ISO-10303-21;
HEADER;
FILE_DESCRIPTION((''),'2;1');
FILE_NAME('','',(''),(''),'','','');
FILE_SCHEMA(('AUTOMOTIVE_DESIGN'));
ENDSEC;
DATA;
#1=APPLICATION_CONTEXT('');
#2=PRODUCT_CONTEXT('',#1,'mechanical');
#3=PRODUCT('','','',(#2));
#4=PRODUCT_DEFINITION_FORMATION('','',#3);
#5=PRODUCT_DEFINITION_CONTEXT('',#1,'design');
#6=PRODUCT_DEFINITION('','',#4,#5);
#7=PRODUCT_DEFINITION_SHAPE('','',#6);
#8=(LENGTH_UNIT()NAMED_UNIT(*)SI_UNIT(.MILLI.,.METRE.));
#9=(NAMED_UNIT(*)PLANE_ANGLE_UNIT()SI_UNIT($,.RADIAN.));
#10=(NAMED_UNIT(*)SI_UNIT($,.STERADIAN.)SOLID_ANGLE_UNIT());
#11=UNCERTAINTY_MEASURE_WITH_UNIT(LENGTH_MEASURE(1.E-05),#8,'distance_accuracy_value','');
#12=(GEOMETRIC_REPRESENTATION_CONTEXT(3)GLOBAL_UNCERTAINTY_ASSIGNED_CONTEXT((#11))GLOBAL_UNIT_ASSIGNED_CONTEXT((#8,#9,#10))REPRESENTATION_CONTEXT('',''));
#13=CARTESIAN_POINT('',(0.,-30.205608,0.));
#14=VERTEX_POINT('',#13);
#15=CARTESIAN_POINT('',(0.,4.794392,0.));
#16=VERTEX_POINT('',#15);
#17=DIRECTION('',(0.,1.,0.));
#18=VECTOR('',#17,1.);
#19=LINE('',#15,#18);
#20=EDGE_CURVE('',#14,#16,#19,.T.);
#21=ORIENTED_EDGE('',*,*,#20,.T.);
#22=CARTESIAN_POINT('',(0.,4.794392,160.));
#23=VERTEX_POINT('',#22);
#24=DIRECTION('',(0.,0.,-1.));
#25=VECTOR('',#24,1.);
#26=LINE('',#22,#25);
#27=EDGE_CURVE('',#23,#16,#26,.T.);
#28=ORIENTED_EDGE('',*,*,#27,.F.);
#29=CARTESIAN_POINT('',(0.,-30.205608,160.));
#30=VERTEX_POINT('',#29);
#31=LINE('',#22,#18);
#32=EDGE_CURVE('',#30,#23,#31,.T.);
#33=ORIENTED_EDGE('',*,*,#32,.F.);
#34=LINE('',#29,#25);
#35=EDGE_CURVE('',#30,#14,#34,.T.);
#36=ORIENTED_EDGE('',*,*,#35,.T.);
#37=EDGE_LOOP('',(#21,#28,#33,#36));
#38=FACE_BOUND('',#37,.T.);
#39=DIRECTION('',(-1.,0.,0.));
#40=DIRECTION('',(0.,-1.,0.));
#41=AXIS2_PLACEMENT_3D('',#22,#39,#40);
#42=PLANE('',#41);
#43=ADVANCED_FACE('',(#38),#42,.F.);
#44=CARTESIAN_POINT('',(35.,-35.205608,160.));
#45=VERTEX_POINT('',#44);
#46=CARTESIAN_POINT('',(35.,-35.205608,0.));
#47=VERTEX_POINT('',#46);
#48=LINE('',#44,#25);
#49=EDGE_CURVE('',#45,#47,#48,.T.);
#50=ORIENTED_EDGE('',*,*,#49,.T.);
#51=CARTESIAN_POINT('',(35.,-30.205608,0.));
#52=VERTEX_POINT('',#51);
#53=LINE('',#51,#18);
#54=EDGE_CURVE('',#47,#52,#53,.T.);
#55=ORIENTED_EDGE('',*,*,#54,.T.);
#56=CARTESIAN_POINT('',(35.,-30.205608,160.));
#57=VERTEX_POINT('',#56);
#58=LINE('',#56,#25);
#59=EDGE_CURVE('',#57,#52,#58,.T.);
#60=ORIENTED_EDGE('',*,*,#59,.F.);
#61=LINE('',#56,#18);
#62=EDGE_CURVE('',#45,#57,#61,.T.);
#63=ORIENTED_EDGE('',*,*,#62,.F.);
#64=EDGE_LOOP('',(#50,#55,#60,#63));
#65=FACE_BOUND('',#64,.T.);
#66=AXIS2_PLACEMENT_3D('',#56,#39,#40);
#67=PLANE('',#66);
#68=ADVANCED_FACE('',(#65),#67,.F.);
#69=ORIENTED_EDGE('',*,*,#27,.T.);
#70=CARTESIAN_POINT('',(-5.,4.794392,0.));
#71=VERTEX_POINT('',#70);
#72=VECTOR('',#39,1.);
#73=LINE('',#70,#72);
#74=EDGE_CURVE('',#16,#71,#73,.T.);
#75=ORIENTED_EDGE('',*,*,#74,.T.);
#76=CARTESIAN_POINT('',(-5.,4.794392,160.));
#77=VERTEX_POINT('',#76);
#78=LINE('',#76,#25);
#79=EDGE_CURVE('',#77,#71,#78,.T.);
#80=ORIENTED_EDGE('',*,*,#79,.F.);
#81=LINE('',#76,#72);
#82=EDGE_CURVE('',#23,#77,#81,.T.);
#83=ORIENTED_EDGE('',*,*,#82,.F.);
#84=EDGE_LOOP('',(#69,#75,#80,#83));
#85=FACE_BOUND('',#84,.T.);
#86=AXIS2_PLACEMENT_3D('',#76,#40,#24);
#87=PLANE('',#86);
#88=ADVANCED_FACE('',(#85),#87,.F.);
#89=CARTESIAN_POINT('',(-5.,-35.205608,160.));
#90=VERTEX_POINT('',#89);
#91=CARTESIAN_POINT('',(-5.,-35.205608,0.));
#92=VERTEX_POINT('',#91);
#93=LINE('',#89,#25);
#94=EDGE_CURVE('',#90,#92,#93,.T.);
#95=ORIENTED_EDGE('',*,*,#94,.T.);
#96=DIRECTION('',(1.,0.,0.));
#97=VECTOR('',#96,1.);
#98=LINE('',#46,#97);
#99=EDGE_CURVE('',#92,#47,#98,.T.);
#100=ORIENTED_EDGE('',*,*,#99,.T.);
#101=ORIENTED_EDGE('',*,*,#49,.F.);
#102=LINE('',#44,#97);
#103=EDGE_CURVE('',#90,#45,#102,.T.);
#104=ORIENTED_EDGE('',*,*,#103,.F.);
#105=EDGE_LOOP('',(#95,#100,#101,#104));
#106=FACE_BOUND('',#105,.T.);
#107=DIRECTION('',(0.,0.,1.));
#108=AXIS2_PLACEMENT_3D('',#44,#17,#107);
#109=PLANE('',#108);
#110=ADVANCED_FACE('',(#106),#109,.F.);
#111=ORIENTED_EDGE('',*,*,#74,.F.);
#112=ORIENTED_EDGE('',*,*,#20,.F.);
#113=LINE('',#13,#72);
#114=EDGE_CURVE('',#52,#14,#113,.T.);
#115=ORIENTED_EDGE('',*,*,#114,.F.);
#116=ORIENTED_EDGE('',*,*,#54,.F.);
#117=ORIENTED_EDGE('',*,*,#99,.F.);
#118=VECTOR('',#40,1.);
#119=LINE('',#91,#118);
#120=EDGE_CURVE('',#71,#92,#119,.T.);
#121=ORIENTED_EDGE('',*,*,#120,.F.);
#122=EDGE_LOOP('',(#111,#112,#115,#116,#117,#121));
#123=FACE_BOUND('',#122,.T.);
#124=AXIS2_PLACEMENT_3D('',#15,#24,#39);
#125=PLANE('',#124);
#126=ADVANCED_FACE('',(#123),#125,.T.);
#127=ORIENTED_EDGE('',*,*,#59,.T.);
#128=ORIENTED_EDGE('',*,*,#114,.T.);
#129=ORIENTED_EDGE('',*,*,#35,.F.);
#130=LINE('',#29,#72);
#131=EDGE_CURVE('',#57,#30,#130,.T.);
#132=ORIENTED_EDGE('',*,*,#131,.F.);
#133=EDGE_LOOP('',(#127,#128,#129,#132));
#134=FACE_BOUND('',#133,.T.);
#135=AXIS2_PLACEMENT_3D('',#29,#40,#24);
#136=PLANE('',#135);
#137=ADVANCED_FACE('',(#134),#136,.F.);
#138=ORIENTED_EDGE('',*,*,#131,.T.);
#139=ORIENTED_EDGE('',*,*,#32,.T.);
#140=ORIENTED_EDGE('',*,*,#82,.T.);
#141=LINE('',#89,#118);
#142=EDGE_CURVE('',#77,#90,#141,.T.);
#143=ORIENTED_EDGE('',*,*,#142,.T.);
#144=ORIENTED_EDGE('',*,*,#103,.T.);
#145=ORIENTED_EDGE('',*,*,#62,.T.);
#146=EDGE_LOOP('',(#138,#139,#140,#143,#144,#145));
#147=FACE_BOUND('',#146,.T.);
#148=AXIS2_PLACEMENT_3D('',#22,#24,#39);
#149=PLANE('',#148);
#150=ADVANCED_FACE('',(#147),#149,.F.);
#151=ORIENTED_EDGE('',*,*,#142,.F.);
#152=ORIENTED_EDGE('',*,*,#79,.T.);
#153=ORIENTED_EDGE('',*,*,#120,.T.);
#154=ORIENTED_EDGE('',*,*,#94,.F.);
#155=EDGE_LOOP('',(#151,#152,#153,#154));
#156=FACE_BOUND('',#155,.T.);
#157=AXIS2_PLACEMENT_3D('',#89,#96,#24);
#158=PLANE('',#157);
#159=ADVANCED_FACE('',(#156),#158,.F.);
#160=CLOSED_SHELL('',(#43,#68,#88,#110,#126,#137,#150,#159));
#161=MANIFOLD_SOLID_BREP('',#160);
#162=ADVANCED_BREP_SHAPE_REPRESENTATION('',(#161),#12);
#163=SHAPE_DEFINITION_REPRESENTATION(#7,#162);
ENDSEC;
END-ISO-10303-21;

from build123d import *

# Parameters (mm, degrees)
EXTRUDE_1_DEPTH = 160


with BuildPart() as part:
    # Эскиз1 → Вытянуть1 (new body)
    with BuildSketch(Plane.XY):
        Polygon((0, 4.794391972), (0, -30.205608028), (35, -30.205608028), (35, -35.205608028), (-5, -35.205608028), (-5, 4.794391972), align=None)
    extrude(amount=EXTRUDE_1_DEPTH)


solid = part.part
